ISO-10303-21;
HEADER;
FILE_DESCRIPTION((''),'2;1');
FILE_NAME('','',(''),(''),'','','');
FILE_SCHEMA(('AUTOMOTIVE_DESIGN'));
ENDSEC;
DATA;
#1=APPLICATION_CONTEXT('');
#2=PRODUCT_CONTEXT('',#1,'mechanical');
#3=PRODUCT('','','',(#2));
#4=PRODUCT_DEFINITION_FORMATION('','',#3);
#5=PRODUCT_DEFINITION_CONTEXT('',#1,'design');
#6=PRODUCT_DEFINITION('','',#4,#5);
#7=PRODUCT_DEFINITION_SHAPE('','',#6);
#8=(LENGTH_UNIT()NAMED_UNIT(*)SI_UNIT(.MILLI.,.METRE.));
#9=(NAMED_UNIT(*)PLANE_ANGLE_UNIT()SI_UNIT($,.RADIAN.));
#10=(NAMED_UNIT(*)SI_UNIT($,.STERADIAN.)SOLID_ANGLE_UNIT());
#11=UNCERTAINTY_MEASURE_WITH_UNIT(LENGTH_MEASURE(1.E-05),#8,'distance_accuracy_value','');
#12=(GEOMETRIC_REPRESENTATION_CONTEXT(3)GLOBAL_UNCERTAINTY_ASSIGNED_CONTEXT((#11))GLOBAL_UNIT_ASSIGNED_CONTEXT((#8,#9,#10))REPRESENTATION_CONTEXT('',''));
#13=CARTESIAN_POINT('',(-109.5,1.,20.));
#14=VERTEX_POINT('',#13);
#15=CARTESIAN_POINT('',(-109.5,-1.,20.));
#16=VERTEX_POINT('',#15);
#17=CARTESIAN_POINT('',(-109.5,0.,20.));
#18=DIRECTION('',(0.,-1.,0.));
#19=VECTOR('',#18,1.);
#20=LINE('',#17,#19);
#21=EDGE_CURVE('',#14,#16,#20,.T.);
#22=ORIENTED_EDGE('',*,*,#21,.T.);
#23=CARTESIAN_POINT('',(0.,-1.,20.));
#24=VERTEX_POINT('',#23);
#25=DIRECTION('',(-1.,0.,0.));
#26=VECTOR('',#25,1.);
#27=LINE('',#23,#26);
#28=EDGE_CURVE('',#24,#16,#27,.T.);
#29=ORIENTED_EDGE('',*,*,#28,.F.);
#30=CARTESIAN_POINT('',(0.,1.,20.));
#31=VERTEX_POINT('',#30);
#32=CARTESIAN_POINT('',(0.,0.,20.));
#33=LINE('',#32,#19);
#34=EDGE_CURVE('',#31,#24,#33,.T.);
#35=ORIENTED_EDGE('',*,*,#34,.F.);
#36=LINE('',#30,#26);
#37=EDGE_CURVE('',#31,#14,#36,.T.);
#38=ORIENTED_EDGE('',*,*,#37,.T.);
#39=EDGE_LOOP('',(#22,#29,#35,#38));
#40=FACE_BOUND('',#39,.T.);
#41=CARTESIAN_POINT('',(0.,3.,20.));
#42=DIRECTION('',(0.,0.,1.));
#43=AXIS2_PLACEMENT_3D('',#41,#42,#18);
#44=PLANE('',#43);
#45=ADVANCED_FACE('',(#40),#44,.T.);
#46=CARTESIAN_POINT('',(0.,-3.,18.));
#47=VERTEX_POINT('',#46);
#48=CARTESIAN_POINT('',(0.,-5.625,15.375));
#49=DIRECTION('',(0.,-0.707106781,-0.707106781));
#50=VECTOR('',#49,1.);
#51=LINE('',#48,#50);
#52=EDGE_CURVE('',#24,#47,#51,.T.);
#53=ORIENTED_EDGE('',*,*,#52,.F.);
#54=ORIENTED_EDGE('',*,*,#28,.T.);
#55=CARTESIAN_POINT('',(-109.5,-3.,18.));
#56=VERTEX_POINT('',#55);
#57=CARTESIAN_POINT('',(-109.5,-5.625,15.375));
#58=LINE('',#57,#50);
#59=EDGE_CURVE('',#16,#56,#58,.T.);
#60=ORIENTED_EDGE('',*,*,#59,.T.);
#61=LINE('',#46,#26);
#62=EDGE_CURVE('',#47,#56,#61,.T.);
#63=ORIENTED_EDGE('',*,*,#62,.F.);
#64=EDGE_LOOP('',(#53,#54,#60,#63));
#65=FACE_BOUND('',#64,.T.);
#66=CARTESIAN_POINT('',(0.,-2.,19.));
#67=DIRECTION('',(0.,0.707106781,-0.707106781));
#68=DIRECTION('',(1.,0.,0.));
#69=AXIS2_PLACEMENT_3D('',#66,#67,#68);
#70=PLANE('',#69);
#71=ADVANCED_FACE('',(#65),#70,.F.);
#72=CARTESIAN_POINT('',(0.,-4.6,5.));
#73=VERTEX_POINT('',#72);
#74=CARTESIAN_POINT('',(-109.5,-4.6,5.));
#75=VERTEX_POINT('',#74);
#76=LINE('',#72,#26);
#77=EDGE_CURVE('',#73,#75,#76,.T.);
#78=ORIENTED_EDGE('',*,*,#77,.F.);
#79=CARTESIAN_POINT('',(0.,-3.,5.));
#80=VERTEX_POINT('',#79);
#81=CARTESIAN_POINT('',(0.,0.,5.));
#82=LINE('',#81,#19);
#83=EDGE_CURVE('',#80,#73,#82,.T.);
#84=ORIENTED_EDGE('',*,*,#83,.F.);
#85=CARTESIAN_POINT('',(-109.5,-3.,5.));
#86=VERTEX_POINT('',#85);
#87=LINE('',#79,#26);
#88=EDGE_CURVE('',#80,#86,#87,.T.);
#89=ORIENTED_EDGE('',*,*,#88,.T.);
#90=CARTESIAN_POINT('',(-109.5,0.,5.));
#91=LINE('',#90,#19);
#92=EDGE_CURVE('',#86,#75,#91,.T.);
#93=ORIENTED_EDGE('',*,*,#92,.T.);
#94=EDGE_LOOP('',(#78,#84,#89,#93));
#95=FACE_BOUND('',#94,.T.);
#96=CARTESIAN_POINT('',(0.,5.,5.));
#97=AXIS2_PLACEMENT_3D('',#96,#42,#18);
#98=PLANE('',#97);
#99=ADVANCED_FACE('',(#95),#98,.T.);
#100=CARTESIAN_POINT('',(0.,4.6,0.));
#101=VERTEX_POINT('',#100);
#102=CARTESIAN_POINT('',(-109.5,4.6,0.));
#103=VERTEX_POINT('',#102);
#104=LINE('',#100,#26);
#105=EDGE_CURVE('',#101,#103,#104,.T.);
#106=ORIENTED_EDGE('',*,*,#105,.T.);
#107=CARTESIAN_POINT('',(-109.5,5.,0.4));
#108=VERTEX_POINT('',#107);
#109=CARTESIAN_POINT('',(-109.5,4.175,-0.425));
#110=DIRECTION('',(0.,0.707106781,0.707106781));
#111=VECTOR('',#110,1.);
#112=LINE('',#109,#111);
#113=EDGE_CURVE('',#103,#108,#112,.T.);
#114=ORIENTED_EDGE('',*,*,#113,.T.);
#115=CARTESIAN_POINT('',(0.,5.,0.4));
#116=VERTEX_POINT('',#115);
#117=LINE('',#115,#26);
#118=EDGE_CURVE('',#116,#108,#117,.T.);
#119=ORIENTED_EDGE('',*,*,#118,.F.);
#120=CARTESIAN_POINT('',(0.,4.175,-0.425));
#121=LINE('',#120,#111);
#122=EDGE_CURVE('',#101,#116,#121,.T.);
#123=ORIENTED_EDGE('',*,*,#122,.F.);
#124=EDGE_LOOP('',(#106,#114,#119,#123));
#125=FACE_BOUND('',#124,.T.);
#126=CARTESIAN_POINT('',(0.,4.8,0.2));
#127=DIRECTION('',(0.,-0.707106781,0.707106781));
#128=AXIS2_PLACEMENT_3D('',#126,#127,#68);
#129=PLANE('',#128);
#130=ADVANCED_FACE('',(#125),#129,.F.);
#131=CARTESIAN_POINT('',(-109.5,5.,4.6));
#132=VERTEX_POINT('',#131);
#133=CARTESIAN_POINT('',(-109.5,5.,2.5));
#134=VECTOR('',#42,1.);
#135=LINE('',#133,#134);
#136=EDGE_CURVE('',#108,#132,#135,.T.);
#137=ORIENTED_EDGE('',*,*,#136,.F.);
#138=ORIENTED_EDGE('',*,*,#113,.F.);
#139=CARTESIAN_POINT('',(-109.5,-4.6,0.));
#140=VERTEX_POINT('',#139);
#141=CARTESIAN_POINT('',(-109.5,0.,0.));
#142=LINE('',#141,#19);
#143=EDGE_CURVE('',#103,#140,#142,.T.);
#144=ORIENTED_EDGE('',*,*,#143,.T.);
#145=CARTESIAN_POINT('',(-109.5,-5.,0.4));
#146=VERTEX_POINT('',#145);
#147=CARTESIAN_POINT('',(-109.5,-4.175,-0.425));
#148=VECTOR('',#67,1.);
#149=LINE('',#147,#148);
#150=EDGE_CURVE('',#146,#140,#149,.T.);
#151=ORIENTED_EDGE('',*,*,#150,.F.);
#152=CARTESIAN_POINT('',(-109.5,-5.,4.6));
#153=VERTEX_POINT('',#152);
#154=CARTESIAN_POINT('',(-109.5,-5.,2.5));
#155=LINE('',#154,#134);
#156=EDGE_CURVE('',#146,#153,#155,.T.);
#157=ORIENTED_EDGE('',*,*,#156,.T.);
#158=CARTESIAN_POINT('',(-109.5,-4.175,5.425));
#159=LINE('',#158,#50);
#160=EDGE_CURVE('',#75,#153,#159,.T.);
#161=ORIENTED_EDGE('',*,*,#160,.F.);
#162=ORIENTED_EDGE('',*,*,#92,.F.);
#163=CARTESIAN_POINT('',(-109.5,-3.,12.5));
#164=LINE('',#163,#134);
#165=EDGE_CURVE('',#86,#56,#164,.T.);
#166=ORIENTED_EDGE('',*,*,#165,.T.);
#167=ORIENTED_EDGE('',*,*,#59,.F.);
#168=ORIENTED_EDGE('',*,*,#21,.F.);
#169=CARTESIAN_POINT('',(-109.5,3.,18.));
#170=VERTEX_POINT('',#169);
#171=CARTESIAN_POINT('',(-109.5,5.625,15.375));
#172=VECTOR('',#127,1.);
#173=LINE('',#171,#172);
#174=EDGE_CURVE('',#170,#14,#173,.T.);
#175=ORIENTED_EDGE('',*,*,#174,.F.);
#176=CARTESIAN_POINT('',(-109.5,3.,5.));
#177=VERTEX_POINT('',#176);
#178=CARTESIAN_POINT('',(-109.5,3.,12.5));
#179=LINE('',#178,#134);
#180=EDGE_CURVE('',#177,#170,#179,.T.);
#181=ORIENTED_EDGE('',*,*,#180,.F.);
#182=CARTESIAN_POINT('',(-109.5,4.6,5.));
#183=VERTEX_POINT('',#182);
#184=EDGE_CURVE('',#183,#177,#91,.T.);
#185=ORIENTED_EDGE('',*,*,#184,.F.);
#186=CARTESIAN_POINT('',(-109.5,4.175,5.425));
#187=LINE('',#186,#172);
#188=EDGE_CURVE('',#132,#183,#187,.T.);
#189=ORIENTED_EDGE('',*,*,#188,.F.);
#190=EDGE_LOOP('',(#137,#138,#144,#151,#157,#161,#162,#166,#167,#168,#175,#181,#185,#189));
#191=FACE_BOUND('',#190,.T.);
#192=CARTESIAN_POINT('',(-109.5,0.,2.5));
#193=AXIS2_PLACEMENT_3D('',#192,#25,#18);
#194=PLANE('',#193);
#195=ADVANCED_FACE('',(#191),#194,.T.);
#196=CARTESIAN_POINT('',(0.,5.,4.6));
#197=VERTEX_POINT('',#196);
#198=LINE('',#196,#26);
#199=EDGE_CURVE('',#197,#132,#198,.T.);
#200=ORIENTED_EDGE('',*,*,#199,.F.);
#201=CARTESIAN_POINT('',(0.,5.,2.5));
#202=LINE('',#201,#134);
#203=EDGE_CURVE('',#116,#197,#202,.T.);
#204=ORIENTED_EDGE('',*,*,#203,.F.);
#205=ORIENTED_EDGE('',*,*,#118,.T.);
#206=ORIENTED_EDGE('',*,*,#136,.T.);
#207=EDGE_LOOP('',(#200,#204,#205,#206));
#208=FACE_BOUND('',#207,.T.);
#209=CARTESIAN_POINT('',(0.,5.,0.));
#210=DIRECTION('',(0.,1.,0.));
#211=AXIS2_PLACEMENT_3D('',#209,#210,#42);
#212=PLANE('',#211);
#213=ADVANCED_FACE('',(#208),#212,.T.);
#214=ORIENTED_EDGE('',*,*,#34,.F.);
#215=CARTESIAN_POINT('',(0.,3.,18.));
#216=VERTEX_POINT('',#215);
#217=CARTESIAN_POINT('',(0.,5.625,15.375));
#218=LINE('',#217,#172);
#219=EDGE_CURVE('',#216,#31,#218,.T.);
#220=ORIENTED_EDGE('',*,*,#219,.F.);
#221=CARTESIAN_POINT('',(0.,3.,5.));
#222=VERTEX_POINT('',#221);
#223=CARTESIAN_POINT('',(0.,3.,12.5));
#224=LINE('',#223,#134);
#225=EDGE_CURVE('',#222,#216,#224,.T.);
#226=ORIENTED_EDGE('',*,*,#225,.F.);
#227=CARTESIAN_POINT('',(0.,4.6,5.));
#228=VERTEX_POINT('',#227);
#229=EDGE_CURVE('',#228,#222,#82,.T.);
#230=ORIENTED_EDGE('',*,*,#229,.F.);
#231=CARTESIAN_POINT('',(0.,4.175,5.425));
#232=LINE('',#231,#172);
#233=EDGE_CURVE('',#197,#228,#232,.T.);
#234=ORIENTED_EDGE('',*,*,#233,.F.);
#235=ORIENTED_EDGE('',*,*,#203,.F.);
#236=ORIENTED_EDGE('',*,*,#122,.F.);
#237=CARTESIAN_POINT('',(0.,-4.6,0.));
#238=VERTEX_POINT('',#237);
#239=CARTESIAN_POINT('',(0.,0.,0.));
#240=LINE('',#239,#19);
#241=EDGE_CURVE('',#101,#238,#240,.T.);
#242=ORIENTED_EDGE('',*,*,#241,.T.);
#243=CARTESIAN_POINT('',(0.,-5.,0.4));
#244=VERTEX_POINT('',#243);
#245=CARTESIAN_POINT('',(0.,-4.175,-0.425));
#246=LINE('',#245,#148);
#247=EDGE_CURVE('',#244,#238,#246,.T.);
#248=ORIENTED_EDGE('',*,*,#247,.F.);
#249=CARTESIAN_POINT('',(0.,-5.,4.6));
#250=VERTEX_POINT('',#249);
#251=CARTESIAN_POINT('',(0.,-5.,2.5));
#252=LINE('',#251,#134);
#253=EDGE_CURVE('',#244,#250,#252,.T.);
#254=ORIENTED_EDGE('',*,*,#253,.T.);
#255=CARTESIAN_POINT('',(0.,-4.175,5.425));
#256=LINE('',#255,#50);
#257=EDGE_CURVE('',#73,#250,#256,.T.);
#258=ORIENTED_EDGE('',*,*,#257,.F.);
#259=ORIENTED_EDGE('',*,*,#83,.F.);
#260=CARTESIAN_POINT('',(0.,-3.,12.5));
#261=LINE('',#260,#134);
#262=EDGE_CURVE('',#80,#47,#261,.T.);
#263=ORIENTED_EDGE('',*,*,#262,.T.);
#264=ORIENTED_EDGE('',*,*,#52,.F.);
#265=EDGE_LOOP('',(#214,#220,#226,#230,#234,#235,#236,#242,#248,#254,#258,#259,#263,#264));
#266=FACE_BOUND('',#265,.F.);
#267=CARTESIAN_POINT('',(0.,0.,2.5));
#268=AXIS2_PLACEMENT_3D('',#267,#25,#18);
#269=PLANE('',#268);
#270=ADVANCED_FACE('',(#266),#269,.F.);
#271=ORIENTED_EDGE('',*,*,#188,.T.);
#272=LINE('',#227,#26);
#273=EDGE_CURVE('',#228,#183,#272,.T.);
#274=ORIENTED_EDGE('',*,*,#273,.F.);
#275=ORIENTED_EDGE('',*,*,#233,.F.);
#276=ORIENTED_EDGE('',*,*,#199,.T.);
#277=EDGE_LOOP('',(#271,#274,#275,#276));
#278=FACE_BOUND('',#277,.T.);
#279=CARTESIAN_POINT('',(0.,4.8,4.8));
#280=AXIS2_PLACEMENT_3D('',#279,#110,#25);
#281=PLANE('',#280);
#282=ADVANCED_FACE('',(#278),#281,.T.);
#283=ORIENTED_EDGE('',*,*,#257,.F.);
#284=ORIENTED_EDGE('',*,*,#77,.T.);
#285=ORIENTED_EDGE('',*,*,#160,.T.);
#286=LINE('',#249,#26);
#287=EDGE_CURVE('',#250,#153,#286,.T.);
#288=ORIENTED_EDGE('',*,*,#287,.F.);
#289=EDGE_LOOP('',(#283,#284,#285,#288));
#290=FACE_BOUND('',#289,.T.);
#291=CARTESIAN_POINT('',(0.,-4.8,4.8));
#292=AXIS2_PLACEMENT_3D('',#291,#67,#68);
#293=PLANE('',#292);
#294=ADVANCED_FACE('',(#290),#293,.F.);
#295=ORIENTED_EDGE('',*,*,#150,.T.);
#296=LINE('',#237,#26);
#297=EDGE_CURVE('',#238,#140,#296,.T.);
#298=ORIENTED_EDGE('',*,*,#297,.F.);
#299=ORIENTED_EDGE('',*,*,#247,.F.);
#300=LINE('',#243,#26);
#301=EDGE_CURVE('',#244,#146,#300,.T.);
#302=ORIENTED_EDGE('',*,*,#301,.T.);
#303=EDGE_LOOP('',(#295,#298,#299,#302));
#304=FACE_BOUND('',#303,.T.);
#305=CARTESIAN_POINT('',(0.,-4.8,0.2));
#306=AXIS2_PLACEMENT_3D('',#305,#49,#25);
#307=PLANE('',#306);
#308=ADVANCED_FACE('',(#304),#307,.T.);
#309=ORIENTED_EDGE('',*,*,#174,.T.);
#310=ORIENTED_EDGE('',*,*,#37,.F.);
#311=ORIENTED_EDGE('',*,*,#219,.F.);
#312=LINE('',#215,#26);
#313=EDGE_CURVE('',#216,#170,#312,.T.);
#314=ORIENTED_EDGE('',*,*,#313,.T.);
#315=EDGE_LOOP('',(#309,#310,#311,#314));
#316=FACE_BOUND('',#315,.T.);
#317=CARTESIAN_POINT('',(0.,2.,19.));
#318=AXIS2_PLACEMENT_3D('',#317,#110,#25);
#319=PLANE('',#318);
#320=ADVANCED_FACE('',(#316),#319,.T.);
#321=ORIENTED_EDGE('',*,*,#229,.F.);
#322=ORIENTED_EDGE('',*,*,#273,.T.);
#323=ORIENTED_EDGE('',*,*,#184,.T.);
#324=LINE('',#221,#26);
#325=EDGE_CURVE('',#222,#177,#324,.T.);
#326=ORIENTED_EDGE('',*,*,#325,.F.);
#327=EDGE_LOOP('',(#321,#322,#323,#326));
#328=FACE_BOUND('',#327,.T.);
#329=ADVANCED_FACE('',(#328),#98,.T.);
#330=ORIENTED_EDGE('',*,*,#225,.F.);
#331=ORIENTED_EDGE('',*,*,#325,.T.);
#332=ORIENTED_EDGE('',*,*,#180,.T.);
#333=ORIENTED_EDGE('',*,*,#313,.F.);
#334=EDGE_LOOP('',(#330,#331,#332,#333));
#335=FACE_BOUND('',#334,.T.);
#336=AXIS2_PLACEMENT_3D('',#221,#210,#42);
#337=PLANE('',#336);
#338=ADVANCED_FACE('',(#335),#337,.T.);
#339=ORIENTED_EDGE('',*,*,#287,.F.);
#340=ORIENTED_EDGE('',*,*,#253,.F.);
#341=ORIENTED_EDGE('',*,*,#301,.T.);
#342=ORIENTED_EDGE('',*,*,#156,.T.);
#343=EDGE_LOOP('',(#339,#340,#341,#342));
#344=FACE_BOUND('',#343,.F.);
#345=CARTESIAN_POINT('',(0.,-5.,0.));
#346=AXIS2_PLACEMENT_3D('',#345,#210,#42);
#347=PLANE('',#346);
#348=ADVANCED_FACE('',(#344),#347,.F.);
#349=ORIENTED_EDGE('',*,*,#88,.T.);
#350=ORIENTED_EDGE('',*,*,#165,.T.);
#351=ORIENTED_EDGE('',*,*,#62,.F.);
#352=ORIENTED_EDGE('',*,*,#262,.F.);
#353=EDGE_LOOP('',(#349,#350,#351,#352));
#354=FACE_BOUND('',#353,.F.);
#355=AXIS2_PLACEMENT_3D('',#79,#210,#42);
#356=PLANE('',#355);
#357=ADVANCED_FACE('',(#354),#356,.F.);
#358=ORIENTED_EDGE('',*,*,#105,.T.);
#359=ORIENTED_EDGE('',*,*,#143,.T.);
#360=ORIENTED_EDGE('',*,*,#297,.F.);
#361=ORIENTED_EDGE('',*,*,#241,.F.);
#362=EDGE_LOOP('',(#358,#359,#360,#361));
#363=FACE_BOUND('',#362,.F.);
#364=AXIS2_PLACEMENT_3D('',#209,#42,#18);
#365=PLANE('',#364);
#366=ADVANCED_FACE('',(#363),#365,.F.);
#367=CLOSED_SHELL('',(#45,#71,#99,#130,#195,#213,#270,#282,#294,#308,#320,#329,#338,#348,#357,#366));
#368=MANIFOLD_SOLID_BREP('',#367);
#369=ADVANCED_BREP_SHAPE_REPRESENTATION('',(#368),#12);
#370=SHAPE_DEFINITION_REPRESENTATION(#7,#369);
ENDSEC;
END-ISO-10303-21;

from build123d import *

# Parameters (mm, degrees)
BOX030_W                      = 6
BOX030_H                      = 15
BOX030_DEPTH                  = 109.5
BOX031_W                      = 10
BOX031_H                      = 5
BOX031_DEPTH                  = 109.5
CHAMFER005024_SIZE            = 2
CHAMFER005025_SIZE            = 0.4
CHAMFER005025_ROLL_ANGLE      = 90
CHAMFER005025_PLACEMENT_ANGLE = -90


with BuildPart() as cube030:
    # Box030 → Box030 (new body)
    with BuildSketch(Plane(origin=(-3, 5, 0), x_dir=(1, 0, 0), z_dir=(0, 0, 1))):
        with Locations((3, 7.5)):
            Rectangle(BOX030_W, BOX030_H)
    extrude(amount=BOX030_DEPTH)


with BuildPart() as f_109d5_channel:
    # Box031 → Box031 (new body)
    with BuildSketch(Plane(origin=(-5, 0, 0), x_dir=(1, 0, 0), z_dir=(0, 0, 1))):
        with Locations((5, 2.5)):
            Rectangle(BOX031_W, BOX031_H)
    extrude(amount=BOX031_DEPTH)

    # Fusion020006007003002013006002005002002015002016008: union Cube030
    add(cube030.part)

    # Chamfer005024
    chamfer005024_edges = [f_109d5_channel.edges().sort_by_distance(p)[0] for p in [
        (-3, 20, 54.75),
        (3, 20, 54.75),
    ]]
    chamfer(chamfer005024_edges, length=CHAMFER005024_SIZE)

    # Chamfer005025
    chamfer005025_edges = [f_109d5_channel.edges().sort_by_distance(p)[0] for p in [
        (-5, 5, 54.75),
        (-5, 0, 54.75),
        (5, 5, 54.75),
        (5, 0, 54.75),
    ]]
    chamfer(chamfer005025_edges, length=CHAMFER005025_SIZE)


with BuildPart() as f_109d5_channel_1:
    # Chamfer005025 roll: moved
    add(f_109d5_channel.part.rotate(Axis((0, 0, 0), (1, 0, 0)), CHAMFER005025_ROLL_ANGLE))


with BuildPart() as f_109d5_channel_2:
    # Chamfer005025 placement: moved
    add(f_109d5_channel_1.part.rotate(Axis((0, 0, 0), (0, 0, 1)), CHAMFER005025_PLACEMENT_ANGLE))


solid = f_109d5_channel_2.part
